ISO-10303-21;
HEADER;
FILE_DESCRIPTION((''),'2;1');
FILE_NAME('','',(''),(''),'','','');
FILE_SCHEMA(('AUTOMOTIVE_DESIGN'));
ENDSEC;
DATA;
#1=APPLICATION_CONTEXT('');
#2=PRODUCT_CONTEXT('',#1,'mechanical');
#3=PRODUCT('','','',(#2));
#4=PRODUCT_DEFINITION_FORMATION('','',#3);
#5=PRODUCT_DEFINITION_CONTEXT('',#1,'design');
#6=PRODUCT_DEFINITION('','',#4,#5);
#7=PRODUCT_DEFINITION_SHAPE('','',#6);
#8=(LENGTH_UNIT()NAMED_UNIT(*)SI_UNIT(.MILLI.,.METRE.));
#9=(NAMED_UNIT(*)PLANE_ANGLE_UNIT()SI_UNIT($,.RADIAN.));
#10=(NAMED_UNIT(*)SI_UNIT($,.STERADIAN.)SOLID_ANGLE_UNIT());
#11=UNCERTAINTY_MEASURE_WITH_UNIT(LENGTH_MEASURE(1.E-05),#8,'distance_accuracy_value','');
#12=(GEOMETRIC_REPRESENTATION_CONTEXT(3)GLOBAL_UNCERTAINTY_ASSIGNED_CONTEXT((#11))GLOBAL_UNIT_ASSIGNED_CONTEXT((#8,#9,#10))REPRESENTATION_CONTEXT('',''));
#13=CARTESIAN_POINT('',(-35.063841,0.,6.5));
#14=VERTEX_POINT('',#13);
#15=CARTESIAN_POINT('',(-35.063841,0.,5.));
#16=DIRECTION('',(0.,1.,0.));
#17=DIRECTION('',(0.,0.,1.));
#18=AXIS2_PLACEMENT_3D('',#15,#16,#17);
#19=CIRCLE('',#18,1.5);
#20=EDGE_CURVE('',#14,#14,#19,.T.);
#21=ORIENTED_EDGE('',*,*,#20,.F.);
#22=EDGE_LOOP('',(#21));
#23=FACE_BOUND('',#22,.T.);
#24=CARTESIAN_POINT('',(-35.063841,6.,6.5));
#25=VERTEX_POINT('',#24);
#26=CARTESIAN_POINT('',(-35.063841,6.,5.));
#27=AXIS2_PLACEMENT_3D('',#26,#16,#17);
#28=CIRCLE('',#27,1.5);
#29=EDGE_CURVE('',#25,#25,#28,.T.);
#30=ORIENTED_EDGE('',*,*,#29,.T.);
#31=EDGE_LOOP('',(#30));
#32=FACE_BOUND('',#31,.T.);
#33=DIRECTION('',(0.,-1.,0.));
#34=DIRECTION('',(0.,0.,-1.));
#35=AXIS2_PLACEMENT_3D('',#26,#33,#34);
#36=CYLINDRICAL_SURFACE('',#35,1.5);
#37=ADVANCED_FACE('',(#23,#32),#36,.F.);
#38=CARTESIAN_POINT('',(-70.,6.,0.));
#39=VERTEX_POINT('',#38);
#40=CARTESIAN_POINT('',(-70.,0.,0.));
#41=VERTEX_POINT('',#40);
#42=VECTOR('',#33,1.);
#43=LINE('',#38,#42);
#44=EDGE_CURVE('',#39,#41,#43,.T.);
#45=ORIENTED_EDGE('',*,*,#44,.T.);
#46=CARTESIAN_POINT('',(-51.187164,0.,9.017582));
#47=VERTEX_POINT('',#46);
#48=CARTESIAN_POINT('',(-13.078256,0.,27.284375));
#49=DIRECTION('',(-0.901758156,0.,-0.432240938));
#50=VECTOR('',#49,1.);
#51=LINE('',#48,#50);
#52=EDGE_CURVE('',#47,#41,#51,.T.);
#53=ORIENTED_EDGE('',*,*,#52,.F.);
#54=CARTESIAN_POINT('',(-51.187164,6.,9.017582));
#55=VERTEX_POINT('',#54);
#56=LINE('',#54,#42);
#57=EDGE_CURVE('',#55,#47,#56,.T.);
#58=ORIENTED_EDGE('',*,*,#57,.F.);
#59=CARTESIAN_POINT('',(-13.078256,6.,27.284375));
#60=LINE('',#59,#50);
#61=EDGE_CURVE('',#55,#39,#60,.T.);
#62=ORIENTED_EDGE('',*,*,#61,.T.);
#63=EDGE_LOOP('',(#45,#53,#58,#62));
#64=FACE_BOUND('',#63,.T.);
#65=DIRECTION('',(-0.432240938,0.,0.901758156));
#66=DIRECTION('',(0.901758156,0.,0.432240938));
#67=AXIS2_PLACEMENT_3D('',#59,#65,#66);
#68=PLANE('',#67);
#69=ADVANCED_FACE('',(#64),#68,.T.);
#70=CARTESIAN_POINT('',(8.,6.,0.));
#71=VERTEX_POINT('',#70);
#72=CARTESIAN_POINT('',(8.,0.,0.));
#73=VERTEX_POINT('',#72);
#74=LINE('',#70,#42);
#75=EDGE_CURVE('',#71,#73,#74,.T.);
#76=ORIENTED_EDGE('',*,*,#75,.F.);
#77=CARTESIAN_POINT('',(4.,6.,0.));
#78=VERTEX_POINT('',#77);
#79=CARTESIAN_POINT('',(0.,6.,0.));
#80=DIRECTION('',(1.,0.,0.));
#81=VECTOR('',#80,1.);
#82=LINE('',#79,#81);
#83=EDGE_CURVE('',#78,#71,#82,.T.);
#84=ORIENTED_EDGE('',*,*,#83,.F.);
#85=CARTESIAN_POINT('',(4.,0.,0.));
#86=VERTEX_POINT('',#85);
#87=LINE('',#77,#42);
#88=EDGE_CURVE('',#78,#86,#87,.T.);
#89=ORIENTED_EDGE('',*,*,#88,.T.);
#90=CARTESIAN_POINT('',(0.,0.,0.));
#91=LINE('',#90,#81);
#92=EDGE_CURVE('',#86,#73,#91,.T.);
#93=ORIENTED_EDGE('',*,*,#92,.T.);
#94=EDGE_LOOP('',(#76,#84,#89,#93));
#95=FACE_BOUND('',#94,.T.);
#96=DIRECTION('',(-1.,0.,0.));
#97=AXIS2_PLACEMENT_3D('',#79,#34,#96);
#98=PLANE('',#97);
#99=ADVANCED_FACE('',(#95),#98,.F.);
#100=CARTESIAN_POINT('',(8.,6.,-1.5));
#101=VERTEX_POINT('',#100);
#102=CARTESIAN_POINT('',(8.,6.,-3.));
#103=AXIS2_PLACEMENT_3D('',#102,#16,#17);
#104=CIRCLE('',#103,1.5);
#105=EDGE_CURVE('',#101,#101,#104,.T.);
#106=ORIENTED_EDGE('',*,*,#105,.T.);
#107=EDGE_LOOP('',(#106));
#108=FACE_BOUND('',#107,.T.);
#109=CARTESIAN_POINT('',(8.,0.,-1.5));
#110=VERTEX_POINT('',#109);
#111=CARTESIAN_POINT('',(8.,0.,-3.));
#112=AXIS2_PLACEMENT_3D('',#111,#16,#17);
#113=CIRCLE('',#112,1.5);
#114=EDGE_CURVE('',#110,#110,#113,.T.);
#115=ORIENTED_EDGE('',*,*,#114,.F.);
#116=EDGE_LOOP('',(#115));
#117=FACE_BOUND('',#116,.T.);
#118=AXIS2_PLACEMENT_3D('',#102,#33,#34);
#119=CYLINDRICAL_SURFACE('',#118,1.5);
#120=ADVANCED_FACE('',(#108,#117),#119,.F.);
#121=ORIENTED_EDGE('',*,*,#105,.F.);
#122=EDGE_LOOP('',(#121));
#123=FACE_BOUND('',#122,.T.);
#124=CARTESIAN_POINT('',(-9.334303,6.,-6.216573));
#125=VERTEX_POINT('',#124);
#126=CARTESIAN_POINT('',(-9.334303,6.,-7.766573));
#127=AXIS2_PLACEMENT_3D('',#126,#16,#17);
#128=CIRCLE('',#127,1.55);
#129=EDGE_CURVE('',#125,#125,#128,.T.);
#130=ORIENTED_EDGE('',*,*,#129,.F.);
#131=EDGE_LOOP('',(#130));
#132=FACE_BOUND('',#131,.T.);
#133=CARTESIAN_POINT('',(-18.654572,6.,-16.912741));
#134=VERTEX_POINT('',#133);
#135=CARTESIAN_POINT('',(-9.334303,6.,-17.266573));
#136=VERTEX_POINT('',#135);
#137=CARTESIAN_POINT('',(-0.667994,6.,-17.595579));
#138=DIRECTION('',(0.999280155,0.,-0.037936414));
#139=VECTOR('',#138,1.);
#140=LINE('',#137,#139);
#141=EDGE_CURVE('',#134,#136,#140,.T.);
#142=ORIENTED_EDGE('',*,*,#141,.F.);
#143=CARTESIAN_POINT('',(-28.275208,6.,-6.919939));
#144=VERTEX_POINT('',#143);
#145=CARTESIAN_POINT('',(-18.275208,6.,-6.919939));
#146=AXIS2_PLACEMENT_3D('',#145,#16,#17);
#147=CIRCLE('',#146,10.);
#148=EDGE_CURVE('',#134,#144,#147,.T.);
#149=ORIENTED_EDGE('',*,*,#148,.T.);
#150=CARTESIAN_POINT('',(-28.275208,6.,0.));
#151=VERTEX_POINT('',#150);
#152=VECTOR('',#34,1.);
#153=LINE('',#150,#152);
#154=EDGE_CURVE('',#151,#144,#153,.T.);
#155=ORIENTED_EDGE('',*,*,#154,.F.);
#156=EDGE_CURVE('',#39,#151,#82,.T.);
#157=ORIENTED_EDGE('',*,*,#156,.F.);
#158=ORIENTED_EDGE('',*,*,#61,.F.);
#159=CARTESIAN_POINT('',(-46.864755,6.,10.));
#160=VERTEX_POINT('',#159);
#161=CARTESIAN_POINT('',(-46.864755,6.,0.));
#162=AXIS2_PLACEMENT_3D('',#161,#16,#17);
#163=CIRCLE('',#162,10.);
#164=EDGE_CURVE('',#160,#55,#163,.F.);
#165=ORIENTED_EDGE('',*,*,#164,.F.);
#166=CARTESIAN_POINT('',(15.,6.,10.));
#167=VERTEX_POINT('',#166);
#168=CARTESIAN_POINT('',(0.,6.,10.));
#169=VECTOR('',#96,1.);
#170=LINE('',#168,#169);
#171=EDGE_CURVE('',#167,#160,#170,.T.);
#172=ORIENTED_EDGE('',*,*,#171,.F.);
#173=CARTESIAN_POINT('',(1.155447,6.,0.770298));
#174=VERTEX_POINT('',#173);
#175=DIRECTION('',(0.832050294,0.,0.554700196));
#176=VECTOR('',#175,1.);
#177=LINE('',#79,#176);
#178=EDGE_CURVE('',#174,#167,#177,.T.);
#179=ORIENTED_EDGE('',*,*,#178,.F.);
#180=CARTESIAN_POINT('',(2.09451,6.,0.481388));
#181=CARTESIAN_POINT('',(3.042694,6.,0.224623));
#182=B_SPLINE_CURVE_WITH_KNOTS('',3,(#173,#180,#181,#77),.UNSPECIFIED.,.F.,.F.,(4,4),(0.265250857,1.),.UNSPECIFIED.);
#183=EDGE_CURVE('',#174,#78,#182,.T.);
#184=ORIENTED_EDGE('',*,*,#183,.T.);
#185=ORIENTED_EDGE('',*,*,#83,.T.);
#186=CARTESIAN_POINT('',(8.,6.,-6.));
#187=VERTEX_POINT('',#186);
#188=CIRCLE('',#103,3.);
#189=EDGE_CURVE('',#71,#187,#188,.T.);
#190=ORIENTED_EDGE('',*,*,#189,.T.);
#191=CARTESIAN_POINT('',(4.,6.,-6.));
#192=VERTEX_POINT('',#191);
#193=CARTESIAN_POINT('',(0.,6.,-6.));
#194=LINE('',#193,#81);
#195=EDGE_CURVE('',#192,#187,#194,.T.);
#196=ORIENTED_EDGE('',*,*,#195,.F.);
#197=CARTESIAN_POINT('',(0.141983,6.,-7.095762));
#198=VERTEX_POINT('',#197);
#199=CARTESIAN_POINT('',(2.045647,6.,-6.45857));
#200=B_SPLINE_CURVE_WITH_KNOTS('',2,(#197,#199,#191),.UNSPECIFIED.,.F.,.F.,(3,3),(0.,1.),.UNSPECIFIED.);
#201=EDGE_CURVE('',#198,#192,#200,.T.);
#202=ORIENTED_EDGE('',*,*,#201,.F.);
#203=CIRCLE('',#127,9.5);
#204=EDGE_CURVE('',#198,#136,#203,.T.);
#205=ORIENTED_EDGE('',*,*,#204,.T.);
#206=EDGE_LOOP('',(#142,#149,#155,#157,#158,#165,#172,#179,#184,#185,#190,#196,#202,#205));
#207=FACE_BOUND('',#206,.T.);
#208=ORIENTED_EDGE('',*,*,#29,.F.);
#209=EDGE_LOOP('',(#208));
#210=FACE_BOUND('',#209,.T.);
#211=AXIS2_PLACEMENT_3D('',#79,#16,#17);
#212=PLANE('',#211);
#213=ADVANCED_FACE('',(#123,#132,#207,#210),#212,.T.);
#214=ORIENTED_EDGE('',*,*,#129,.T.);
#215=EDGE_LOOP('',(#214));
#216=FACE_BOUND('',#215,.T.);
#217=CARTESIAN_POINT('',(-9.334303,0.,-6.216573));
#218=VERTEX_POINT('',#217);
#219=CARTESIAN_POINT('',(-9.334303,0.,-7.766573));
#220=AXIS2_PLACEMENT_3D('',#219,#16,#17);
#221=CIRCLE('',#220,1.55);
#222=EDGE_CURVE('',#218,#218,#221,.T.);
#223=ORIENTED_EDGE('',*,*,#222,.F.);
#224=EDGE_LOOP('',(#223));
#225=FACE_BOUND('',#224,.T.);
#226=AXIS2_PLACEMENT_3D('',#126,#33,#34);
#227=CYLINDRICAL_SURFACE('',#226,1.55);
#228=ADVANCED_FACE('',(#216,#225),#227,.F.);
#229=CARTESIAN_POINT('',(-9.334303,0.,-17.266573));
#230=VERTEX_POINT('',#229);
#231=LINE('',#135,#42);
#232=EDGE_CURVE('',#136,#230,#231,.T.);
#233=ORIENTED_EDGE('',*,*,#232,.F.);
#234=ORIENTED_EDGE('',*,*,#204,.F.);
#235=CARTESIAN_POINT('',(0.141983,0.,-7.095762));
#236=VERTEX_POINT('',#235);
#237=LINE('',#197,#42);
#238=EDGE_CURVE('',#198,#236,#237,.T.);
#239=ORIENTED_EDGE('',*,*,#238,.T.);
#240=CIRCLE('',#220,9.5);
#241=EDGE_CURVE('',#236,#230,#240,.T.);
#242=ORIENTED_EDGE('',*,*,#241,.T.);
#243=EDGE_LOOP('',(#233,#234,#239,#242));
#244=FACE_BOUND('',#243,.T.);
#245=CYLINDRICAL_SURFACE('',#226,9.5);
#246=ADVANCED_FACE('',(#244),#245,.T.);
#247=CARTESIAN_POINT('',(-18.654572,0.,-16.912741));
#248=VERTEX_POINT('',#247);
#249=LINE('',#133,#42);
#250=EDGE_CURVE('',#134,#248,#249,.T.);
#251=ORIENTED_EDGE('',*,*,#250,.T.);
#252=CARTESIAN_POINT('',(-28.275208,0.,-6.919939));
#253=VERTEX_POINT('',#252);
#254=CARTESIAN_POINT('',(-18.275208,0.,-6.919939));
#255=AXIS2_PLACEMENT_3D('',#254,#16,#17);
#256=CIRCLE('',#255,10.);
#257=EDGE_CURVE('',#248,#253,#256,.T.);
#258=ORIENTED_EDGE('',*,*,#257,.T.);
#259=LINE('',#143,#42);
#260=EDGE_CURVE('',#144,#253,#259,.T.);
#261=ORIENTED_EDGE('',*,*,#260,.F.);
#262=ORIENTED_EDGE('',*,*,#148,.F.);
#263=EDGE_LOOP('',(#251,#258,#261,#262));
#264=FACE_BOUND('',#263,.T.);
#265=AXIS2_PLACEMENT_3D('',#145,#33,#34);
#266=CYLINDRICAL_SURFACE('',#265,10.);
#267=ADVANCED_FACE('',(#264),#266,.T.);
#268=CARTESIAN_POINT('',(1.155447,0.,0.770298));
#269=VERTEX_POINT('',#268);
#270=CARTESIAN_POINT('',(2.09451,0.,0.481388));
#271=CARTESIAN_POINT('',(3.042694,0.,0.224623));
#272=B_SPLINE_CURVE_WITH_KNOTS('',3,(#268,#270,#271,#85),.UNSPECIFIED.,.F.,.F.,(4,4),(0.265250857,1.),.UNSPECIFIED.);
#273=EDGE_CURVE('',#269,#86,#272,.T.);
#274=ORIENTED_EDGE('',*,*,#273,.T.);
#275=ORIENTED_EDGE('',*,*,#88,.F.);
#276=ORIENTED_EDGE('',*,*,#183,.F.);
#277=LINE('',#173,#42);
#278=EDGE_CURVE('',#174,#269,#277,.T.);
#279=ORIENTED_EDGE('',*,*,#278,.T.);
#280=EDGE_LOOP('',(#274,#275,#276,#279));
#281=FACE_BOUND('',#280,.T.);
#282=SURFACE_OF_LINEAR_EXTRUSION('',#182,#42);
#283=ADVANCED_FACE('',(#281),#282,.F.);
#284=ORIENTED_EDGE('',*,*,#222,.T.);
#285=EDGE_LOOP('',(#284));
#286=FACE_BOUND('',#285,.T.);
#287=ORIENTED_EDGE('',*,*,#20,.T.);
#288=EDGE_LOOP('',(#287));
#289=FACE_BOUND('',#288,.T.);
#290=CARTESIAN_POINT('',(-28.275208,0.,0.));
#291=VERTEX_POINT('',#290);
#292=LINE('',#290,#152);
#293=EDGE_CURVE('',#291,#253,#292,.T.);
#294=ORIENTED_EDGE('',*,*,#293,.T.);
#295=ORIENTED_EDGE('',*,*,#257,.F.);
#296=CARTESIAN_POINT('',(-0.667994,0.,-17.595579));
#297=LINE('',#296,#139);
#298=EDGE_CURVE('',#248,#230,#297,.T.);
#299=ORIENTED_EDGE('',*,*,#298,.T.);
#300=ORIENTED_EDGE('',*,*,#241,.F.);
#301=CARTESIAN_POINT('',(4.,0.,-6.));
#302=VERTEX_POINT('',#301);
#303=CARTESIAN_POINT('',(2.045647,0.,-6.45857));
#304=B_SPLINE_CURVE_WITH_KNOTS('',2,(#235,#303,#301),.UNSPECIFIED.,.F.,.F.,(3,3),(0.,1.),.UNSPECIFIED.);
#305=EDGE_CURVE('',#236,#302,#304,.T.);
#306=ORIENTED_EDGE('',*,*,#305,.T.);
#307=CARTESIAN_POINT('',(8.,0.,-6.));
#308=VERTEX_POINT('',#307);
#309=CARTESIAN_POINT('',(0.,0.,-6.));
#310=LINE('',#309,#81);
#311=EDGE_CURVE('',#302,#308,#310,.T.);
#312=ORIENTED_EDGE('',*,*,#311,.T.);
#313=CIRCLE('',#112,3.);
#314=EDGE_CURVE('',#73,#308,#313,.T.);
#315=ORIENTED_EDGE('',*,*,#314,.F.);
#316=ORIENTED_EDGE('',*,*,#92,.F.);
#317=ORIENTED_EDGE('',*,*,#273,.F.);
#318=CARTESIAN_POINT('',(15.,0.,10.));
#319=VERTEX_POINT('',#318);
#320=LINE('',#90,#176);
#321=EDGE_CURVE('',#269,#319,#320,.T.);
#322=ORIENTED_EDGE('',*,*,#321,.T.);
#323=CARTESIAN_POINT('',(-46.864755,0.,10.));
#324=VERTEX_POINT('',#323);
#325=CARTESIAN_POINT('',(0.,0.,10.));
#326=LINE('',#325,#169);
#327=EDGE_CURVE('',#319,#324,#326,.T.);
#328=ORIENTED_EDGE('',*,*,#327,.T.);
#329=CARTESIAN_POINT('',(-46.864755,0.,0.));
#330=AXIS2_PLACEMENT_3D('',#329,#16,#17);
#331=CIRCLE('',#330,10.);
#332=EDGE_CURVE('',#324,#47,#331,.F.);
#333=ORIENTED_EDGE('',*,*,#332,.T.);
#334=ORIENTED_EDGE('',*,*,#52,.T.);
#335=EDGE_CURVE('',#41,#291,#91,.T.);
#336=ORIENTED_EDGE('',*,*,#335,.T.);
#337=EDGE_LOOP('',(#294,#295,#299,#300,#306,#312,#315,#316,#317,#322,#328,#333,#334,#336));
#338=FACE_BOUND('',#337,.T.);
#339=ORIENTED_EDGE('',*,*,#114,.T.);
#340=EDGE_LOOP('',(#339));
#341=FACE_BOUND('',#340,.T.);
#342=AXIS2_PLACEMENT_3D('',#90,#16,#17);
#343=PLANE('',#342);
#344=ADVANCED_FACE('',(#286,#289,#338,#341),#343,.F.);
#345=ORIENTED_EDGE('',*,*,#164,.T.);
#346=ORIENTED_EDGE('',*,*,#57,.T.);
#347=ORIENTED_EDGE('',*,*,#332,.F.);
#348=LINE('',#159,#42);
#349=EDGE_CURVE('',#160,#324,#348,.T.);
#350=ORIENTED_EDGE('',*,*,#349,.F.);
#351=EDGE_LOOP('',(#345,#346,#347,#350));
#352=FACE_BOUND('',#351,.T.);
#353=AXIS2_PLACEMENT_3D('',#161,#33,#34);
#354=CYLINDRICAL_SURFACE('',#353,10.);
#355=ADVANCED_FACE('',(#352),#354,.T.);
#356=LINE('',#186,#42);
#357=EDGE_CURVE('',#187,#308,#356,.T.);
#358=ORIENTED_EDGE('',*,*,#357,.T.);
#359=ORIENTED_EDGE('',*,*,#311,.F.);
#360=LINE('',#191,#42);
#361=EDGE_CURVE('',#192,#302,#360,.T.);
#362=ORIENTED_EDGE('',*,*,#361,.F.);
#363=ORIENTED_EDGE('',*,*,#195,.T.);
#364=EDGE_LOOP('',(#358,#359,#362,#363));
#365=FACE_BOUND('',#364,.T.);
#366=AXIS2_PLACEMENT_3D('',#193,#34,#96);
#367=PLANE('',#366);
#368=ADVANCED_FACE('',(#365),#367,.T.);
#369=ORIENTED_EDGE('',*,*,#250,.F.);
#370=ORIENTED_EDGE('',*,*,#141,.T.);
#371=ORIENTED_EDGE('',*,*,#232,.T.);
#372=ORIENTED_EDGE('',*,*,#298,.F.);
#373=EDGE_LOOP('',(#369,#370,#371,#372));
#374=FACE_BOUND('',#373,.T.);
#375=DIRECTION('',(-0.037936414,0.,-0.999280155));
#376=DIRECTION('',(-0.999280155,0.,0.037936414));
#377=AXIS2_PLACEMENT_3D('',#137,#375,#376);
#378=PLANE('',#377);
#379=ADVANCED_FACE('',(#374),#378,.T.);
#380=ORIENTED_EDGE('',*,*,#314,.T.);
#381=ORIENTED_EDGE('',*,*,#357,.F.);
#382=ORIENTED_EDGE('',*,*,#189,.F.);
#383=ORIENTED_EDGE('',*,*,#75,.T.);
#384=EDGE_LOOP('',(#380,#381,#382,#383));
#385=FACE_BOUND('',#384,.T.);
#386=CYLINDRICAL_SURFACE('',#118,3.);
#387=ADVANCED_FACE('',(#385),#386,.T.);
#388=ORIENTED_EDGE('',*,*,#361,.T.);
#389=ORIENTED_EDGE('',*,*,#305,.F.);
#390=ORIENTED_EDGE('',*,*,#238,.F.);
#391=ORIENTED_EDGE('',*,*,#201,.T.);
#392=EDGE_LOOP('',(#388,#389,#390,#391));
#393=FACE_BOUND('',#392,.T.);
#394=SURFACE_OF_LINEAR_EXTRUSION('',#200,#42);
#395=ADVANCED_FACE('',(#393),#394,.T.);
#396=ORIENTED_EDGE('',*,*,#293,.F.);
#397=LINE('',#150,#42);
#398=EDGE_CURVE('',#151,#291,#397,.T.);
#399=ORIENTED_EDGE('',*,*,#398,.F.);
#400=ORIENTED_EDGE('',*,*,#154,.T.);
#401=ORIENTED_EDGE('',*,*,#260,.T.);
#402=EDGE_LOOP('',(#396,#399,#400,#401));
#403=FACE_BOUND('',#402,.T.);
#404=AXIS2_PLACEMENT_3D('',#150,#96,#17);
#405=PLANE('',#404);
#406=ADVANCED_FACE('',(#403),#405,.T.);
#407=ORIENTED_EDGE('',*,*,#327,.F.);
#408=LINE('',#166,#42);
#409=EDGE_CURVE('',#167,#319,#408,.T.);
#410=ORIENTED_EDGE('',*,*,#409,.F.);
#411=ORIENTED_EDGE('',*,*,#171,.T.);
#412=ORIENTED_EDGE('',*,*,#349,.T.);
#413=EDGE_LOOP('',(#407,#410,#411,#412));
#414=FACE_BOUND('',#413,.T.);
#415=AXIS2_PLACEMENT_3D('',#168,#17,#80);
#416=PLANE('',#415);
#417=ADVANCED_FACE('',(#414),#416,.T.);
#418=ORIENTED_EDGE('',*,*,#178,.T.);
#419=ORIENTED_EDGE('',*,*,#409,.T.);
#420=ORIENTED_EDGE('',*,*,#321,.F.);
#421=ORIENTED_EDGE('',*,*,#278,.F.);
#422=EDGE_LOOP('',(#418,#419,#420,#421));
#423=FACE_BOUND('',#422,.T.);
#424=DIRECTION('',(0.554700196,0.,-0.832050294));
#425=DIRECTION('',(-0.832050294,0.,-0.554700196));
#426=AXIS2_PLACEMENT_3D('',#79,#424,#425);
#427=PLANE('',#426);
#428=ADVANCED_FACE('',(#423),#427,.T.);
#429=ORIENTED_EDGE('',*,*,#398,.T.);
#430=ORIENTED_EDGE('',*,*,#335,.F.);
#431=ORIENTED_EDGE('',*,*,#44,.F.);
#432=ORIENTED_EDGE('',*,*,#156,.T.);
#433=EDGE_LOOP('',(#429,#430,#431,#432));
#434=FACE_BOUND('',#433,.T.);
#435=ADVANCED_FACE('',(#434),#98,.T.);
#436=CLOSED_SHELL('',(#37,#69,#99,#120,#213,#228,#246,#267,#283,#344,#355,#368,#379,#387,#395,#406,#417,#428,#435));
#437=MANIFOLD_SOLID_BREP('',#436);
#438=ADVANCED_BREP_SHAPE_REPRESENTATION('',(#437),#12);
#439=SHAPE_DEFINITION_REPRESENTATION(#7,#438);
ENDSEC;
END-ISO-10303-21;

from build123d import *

# Parameters (mm, degrees)
SKETCH1_R           = 1.5
SKETCH1_R_2         = 1.55
BOSS_EXTRUDE1_DEPTH = 6


with BuildPart() as part:
    # Sketch1 → Boss-Extrude1 (new body)
    with BuildSketch(Plane(origin=(0, 0, 0), x_dir=(1, 0, 0), z_dir=(0, 1, 0))):
        with BuildLine():
            Line((-10.054576391, 17.239228809), (-18.654572416, 16.912740777))
            ThreePointArc((-18.654572416, 16.912740777), (-25.479153077, 13.855584783), (-28.275208275, 6.919939226))
            Line((-28.275208275, 6.919939226), (-28.275208275, 0))
            Line((-28.275208275, 0), (-49.137604137, 0))
            Line((-49.137604137, 0), (-70, 0))
            Line((-70, 0), (-51.187164382, -9.017581558))
            ThreePointArc((-51.187164382, -9.017581558), (-49.081079033, -9.751302876), (-46.864755002, -10))
            Line((-46.864755002, -10), (0, -10))
            Line((0, -10), (15, -10))
            Line((15, -10), (1.155446716, -0.770297811))
            add(Edge.make_bspline(
                [(1.155446716, -0.770297811), (2.094509546, -0.481388498), (3.042693974, -0.224622561), (4, 0)],
                knots=[0.265250857, 0.265250857, 0.265250857, 0.265250857, 1, 1, 1, 1], degree=3))
            Line((4, 0), (8, 0))
            ThreePointArc((8, 0), (11, 3), (8, 6))
            Line((8, 6), (4, 6))
            add(Edge.make_bspline(
                [(0.141983447, 7.095761644), (2.045647207, 6.458569901), (4, 6)],
                knots=[0, 0, 0, 1, 1, 1], degree=2))
            ThreePointArc((0.141983447, 7.095761644), (-2.383666412, 14.242578452), (-9.33430338, 17.266573068))
            Line((-9.33430338, 17.266573068), (-10.054576391, 17.239228809))
        make_face()
        with Locations((-35.063841459, -5)):
            Circle(SKETCH1_R, mode=Mode.SUBTRACT)
        with Locations((8, 3)):
            Circle(SKETCH1_R, mode=Mode.SUBTRACT)
        with Locations((-9.33430338, 7.766573068)):
            Circle(SKETCH1_R_2, mode=Mode.SUBTRACT)
    extrude(amount=BOSS_EXTRUDE1_DEPTH)


solid = part.part
